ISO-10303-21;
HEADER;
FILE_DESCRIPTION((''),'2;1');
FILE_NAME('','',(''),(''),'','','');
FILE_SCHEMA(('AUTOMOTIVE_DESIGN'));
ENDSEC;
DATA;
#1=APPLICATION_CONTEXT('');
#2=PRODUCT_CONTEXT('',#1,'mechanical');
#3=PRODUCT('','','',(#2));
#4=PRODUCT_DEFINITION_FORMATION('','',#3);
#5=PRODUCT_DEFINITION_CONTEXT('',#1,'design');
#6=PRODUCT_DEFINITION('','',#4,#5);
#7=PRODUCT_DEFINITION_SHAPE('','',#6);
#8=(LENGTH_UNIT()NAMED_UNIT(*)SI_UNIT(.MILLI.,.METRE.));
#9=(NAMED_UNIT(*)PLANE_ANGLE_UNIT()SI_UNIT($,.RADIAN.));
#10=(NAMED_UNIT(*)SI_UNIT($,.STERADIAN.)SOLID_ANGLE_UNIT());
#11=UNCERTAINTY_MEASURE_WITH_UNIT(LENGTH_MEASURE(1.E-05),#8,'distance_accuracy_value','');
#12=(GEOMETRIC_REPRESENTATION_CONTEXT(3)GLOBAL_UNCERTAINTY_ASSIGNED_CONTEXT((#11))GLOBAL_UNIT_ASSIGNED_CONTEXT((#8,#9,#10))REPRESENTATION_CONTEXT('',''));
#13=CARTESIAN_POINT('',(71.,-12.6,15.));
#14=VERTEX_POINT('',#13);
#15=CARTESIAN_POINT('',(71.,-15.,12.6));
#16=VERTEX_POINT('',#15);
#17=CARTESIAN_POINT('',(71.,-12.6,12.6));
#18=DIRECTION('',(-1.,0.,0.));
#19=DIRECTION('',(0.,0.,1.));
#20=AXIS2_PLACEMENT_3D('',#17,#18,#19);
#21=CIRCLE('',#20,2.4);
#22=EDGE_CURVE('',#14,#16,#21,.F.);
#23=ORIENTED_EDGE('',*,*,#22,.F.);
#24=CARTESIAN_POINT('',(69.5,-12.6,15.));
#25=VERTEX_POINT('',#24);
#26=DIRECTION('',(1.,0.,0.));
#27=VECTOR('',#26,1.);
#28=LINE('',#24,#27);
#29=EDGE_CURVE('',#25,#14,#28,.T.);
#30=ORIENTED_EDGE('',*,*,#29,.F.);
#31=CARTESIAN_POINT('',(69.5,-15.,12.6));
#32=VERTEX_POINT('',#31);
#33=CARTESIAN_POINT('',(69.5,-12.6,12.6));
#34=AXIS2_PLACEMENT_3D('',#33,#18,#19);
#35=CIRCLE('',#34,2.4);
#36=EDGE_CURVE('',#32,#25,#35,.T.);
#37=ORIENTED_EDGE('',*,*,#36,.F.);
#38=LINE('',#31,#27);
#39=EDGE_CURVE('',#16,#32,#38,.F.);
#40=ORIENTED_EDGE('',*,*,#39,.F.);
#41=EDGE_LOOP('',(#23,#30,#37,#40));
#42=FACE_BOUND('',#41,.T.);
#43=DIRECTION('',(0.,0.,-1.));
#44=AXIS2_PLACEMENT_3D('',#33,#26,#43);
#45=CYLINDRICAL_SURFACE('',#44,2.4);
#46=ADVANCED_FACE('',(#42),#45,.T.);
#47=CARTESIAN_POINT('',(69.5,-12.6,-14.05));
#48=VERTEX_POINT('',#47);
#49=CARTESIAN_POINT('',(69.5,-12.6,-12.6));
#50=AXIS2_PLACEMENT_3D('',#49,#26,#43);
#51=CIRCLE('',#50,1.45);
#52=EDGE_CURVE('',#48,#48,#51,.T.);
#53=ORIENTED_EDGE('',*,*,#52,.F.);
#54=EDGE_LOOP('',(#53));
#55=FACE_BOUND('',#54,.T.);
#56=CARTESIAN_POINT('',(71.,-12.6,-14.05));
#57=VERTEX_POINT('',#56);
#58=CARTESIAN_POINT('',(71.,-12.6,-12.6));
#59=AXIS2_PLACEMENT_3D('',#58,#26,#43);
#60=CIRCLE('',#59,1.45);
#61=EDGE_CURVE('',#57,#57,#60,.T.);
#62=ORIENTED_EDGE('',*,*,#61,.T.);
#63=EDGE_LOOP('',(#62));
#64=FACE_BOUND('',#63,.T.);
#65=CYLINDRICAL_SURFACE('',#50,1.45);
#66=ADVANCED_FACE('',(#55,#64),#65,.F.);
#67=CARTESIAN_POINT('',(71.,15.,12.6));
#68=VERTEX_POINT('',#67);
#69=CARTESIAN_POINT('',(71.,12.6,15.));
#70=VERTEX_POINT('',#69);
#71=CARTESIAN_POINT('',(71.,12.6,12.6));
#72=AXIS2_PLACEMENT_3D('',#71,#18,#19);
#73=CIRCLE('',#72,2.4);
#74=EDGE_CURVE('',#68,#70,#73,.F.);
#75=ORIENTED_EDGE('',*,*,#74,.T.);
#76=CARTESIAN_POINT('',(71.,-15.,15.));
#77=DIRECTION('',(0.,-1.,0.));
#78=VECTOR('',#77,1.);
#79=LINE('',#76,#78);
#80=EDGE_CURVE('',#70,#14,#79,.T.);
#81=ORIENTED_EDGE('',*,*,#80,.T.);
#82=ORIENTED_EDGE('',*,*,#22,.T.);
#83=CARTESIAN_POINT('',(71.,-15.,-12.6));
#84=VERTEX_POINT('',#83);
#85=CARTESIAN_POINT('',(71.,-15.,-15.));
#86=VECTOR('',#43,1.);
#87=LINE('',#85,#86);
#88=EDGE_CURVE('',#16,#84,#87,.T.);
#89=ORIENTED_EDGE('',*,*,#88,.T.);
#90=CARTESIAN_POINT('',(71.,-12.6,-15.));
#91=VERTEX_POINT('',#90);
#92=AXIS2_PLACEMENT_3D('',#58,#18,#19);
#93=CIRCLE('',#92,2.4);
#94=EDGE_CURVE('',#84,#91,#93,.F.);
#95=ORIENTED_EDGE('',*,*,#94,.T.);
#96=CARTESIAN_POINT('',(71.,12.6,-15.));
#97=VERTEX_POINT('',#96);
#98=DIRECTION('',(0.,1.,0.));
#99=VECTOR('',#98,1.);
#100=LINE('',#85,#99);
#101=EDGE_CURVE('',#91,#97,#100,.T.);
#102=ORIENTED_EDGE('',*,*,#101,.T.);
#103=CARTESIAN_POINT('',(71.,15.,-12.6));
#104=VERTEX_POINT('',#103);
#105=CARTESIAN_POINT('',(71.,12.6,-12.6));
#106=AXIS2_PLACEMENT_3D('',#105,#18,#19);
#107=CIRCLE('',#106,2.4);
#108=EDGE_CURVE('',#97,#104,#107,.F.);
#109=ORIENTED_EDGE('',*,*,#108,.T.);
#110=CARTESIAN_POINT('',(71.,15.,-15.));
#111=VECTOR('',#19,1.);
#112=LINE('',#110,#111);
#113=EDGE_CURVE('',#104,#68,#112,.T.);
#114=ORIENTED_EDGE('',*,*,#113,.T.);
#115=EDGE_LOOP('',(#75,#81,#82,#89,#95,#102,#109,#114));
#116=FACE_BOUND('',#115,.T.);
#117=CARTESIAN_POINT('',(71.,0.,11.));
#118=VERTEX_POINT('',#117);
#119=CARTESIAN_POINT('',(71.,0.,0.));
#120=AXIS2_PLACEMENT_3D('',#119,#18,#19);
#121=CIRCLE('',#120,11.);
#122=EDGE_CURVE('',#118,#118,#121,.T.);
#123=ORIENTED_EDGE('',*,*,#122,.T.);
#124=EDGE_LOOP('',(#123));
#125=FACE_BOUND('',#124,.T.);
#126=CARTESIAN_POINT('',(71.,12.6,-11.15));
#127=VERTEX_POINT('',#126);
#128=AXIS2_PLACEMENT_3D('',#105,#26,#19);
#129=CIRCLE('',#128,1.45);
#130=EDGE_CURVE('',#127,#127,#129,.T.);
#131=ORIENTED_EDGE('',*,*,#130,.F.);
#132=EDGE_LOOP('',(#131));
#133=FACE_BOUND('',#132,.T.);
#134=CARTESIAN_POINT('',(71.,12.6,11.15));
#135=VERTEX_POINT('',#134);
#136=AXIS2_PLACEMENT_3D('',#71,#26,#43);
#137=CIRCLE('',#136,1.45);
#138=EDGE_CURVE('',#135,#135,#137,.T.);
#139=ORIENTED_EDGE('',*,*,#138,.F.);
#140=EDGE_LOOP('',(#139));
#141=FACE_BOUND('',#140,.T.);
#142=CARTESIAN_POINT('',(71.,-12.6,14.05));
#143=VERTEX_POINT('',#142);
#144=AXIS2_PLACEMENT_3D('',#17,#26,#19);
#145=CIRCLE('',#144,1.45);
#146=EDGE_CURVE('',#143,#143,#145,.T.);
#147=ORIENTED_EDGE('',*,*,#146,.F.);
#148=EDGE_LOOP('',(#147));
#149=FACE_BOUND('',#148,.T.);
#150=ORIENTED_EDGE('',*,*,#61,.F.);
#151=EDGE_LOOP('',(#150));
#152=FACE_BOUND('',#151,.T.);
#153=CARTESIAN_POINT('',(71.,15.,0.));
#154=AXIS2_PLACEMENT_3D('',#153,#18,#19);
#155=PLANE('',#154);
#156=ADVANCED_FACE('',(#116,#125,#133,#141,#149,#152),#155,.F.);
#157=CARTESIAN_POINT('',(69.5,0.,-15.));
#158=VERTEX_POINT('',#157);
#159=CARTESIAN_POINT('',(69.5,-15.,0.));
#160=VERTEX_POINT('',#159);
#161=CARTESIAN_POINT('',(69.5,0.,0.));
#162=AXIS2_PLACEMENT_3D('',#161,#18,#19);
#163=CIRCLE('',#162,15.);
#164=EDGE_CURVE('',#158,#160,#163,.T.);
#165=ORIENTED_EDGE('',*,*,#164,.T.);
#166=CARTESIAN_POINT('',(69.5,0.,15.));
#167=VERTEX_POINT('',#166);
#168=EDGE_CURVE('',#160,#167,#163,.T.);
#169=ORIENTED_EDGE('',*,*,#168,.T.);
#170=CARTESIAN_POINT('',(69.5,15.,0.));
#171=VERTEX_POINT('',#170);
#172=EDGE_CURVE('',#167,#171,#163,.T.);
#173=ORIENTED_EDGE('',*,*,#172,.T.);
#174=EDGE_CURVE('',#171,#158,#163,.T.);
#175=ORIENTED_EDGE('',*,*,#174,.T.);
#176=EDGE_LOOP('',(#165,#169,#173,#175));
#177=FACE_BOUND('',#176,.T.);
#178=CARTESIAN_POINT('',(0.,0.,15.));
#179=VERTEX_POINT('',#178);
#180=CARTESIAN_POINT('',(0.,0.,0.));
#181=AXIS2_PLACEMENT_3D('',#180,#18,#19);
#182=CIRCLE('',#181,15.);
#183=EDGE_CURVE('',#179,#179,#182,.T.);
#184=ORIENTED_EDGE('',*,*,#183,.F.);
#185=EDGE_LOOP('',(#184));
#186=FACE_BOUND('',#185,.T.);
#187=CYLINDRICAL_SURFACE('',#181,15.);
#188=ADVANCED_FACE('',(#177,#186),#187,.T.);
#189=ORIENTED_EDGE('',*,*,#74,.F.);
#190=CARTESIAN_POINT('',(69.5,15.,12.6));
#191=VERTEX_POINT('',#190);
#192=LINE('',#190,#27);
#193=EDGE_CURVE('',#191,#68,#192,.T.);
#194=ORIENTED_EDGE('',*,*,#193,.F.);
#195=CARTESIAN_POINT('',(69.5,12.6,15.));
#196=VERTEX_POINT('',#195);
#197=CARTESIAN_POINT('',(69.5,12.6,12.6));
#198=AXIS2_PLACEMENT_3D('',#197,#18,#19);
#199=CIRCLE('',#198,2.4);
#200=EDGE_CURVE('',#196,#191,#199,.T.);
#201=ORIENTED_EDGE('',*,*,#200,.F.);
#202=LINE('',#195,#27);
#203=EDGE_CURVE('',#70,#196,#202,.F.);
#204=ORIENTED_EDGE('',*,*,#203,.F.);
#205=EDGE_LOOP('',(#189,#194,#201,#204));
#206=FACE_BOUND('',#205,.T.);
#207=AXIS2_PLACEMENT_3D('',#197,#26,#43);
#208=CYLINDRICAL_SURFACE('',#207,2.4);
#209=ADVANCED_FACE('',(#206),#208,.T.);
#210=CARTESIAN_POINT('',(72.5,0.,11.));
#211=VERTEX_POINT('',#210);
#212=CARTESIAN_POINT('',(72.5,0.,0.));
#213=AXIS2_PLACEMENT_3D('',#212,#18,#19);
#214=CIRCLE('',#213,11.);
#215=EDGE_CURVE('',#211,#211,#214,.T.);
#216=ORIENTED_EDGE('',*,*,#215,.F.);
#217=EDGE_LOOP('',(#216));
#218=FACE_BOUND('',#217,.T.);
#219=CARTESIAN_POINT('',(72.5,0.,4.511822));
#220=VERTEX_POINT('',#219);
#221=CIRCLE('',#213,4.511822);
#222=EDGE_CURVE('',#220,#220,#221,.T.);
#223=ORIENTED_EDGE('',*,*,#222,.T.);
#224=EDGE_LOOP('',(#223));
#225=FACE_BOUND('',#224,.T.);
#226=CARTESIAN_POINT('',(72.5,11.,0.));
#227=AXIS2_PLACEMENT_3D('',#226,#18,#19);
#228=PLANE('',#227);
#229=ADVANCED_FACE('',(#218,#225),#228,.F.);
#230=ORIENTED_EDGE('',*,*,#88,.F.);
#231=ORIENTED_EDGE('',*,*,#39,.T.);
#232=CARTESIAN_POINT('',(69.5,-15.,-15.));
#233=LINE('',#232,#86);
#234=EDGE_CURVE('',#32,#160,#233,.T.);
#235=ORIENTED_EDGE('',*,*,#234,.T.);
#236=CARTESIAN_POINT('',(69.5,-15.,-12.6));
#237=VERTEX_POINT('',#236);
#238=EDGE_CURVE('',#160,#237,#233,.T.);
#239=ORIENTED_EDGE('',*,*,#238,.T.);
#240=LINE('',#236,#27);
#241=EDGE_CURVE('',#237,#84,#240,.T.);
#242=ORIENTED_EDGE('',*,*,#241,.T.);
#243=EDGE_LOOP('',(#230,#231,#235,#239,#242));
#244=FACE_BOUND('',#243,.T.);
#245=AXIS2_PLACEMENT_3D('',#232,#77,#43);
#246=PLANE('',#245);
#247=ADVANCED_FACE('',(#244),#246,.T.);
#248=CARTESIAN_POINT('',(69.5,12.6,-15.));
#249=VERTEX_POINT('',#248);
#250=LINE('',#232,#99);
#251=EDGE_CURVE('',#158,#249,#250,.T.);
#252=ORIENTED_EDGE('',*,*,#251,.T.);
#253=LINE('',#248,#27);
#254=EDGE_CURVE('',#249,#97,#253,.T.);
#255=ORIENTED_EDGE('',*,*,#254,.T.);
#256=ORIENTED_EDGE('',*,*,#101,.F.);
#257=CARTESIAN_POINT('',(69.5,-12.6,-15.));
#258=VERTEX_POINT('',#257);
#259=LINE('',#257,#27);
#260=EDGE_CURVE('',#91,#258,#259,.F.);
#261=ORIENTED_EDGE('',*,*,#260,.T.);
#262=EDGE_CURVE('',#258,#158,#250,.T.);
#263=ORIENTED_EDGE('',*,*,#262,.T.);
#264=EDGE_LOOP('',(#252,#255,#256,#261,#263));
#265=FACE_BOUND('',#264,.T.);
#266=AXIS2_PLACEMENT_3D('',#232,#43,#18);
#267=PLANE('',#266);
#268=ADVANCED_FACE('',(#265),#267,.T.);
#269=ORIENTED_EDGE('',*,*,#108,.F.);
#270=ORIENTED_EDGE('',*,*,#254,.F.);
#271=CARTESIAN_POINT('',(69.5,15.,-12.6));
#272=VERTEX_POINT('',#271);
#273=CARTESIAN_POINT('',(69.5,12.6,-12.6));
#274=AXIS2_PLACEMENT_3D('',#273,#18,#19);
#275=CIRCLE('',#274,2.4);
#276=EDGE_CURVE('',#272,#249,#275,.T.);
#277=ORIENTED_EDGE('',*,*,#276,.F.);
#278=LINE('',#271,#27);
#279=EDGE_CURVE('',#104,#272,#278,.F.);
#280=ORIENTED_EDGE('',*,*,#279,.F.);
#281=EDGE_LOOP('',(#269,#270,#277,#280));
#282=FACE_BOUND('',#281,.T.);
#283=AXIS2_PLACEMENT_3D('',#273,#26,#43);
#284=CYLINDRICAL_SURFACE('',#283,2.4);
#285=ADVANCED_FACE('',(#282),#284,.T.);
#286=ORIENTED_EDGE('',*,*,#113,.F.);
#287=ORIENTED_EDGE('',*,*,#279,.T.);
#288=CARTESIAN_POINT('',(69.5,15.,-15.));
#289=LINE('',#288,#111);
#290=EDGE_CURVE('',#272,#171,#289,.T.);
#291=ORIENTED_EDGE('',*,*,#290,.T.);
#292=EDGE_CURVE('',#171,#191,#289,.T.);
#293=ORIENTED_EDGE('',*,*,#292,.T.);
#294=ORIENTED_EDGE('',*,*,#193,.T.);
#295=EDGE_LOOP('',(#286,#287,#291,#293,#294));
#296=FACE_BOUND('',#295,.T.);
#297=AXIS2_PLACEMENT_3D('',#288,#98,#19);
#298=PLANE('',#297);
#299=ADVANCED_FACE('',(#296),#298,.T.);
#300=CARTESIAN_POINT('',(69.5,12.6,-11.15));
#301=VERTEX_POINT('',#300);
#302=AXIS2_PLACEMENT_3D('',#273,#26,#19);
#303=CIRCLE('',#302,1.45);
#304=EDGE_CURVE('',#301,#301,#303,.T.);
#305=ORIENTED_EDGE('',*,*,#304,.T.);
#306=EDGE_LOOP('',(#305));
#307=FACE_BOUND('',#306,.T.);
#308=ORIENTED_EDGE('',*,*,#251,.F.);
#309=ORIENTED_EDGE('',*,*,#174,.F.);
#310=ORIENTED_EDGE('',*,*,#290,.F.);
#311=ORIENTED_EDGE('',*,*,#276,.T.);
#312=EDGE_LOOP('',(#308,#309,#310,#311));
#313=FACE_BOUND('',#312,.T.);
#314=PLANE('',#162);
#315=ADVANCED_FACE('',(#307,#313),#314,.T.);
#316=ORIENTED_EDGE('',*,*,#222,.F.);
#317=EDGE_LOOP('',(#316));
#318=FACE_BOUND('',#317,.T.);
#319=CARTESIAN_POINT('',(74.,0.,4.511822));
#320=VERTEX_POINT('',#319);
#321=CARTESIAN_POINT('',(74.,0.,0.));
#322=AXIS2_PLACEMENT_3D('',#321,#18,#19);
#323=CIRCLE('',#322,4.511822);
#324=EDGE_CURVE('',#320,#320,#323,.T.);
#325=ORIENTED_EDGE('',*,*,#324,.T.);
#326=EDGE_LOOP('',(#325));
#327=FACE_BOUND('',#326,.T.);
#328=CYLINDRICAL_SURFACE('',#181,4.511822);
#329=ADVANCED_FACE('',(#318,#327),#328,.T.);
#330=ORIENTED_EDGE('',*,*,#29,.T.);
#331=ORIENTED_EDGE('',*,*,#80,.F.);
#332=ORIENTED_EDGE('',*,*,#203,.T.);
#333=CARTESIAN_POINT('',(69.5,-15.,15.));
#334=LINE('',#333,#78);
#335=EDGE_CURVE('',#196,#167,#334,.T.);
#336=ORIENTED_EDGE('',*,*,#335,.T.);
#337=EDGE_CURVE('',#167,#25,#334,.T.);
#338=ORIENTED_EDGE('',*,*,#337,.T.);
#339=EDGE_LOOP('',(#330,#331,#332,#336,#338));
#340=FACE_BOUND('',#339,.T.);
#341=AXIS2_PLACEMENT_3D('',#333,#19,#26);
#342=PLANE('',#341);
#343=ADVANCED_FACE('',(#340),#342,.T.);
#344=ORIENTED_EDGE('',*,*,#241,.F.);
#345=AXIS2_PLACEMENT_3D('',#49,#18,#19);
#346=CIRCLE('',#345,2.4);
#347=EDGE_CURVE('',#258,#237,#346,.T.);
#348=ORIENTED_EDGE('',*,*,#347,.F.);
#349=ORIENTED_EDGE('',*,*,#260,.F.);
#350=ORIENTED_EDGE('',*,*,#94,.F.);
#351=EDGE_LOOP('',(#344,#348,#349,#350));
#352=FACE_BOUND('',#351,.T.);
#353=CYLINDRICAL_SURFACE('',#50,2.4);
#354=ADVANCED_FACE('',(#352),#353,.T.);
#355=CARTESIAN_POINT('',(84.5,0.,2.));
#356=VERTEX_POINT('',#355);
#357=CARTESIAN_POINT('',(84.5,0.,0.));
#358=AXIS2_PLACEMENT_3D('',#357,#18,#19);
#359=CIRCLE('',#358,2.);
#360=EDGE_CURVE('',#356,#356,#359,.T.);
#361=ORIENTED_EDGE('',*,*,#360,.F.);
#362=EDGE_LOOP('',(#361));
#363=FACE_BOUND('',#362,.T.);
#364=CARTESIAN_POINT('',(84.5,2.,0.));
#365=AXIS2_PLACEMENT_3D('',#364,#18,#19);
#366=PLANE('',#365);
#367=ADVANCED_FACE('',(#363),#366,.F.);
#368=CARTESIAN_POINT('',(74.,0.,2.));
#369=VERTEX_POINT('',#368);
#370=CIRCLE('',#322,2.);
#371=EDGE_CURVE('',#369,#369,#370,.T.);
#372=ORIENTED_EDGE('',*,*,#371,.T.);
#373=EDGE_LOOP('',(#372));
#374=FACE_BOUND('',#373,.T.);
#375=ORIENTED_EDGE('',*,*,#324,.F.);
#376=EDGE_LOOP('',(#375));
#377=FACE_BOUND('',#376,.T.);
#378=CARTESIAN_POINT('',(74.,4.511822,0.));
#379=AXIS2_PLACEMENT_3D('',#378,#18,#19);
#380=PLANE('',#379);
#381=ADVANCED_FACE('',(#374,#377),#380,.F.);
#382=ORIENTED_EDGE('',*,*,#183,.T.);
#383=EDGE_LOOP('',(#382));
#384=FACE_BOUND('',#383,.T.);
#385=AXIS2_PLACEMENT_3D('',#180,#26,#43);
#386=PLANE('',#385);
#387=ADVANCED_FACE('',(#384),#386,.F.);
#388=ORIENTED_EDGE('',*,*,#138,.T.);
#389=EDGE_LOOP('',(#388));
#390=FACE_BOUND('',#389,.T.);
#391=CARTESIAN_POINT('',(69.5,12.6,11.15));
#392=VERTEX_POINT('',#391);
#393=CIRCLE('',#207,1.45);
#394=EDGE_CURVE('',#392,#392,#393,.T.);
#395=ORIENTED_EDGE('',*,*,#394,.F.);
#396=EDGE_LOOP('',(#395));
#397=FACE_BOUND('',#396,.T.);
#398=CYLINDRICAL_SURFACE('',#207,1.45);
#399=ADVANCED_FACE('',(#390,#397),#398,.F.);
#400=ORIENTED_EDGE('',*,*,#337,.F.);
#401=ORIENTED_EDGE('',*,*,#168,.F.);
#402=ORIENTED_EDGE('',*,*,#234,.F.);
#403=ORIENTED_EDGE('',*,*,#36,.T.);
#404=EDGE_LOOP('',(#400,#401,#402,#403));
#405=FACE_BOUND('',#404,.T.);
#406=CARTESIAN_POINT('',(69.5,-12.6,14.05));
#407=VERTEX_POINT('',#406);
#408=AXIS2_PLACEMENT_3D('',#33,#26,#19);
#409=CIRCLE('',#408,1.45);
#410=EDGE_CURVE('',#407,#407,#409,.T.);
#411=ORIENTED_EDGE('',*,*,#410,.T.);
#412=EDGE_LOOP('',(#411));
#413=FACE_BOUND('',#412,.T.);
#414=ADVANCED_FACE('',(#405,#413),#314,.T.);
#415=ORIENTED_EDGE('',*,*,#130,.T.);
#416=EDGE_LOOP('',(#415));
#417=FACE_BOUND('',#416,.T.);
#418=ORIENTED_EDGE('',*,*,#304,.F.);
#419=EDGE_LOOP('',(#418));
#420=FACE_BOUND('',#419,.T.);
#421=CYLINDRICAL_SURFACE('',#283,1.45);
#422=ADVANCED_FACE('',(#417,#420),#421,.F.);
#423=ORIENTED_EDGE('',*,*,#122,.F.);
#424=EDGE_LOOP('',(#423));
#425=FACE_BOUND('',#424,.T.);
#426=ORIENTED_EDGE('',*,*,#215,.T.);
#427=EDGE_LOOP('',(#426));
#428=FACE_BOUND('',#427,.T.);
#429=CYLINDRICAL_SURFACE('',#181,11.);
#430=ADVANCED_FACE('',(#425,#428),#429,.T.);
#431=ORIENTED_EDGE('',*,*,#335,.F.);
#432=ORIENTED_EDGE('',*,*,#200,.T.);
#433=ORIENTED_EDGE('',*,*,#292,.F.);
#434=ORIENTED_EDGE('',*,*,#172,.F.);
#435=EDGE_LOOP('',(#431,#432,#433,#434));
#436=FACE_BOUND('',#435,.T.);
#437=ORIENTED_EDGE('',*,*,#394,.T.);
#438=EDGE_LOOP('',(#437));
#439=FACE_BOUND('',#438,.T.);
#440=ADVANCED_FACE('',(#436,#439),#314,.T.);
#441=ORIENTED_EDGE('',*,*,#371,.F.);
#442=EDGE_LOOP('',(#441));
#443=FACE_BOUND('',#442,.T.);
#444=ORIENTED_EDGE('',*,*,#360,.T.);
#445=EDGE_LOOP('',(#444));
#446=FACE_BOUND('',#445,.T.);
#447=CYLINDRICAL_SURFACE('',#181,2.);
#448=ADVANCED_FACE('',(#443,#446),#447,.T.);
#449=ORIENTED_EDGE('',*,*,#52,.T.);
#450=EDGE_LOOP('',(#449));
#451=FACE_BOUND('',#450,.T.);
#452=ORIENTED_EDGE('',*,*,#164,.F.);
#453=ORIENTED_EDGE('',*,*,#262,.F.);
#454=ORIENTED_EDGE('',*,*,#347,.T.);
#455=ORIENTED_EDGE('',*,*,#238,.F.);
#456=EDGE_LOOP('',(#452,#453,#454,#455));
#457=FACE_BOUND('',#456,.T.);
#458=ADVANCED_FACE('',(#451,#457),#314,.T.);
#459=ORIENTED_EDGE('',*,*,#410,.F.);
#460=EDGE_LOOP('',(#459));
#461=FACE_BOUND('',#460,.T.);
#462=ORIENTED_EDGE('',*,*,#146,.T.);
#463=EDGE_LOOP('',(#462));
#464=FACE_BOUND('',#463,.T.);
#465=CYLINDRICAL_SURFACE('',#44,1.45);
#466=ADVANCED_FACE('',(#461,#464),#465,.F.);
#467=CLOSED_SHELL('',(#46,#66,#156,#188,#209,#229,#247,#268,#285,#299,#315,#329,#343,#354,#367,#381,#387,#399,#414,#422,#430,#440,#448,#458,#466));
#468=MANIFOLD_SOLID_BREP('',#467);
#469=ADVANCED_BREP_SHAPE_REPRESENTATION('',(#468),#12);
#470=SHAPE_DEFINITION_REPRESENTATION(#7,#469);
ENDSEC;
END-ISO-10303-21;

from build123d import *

# Parameters (mm, degrees)
SKETCH_2_W      = 30
SKETCH_2_H      = 30
SKETCH_2_R      = 1.45
EXTRUDE_1_DEPTH = 1.5
FILLET_1_R      = 2.4


with BuildPart() as part:
    # Эскиз1 → Повернуть1 (revolve)
    with BuildSketch(Plane.XY):
        Polygon((0, 0), (0, 15), (71, 15), (71, 11), (72.5, 11), (72.5, 4.511822107), (74, 4.511822107), (74, 2), (80, 2), (84.5, 2), (84.5, 0), align=None)
    revolve(axis=Axis((0, 0, 0), (1, 0, 0)))

    # Эскиз2 → Бобышка-Вытянуть1 (add)
    with BuildSketch(Plane(origin=(71, 0, 0), x_dir=(0, 0, -1), z_dir=(1, 0, 0))):
        Rectangle(SKETCH_2_W, SKETCH_2_H)
        with Locations((-12.6, 12.6)):
            Circle(SKETCH_2_R, mode=Mode.SUBTRACT)
        with Locations((12.6, 12.6)):
            Circle(SKETCH_2_R, mode=Mode.SUBTRACT)
        with Locations((12.6, -12.6)):
            Circle(SKETCH_2_R, mode=Mode.SUBTRACT)
        with Locations((-12.6, -12.6)):
            Circle(SKETCH_2_R, mode=Mode.SUBTRACT)
    extrude(amount=-EXTRUDE_1_DEPTH)

    # Скругление1
    fillet_1_edges = [part.edges().sort_by_distance(p)[0] for p in [
        (70.25, -15, -15),
        (70.25, -15, 15),
        (70.25, 15, 15),
        (70.25, 15, -15),
    ]]
    fillet(fillet_1_edges, radius=FILLET_1_R)


solid = part.part
